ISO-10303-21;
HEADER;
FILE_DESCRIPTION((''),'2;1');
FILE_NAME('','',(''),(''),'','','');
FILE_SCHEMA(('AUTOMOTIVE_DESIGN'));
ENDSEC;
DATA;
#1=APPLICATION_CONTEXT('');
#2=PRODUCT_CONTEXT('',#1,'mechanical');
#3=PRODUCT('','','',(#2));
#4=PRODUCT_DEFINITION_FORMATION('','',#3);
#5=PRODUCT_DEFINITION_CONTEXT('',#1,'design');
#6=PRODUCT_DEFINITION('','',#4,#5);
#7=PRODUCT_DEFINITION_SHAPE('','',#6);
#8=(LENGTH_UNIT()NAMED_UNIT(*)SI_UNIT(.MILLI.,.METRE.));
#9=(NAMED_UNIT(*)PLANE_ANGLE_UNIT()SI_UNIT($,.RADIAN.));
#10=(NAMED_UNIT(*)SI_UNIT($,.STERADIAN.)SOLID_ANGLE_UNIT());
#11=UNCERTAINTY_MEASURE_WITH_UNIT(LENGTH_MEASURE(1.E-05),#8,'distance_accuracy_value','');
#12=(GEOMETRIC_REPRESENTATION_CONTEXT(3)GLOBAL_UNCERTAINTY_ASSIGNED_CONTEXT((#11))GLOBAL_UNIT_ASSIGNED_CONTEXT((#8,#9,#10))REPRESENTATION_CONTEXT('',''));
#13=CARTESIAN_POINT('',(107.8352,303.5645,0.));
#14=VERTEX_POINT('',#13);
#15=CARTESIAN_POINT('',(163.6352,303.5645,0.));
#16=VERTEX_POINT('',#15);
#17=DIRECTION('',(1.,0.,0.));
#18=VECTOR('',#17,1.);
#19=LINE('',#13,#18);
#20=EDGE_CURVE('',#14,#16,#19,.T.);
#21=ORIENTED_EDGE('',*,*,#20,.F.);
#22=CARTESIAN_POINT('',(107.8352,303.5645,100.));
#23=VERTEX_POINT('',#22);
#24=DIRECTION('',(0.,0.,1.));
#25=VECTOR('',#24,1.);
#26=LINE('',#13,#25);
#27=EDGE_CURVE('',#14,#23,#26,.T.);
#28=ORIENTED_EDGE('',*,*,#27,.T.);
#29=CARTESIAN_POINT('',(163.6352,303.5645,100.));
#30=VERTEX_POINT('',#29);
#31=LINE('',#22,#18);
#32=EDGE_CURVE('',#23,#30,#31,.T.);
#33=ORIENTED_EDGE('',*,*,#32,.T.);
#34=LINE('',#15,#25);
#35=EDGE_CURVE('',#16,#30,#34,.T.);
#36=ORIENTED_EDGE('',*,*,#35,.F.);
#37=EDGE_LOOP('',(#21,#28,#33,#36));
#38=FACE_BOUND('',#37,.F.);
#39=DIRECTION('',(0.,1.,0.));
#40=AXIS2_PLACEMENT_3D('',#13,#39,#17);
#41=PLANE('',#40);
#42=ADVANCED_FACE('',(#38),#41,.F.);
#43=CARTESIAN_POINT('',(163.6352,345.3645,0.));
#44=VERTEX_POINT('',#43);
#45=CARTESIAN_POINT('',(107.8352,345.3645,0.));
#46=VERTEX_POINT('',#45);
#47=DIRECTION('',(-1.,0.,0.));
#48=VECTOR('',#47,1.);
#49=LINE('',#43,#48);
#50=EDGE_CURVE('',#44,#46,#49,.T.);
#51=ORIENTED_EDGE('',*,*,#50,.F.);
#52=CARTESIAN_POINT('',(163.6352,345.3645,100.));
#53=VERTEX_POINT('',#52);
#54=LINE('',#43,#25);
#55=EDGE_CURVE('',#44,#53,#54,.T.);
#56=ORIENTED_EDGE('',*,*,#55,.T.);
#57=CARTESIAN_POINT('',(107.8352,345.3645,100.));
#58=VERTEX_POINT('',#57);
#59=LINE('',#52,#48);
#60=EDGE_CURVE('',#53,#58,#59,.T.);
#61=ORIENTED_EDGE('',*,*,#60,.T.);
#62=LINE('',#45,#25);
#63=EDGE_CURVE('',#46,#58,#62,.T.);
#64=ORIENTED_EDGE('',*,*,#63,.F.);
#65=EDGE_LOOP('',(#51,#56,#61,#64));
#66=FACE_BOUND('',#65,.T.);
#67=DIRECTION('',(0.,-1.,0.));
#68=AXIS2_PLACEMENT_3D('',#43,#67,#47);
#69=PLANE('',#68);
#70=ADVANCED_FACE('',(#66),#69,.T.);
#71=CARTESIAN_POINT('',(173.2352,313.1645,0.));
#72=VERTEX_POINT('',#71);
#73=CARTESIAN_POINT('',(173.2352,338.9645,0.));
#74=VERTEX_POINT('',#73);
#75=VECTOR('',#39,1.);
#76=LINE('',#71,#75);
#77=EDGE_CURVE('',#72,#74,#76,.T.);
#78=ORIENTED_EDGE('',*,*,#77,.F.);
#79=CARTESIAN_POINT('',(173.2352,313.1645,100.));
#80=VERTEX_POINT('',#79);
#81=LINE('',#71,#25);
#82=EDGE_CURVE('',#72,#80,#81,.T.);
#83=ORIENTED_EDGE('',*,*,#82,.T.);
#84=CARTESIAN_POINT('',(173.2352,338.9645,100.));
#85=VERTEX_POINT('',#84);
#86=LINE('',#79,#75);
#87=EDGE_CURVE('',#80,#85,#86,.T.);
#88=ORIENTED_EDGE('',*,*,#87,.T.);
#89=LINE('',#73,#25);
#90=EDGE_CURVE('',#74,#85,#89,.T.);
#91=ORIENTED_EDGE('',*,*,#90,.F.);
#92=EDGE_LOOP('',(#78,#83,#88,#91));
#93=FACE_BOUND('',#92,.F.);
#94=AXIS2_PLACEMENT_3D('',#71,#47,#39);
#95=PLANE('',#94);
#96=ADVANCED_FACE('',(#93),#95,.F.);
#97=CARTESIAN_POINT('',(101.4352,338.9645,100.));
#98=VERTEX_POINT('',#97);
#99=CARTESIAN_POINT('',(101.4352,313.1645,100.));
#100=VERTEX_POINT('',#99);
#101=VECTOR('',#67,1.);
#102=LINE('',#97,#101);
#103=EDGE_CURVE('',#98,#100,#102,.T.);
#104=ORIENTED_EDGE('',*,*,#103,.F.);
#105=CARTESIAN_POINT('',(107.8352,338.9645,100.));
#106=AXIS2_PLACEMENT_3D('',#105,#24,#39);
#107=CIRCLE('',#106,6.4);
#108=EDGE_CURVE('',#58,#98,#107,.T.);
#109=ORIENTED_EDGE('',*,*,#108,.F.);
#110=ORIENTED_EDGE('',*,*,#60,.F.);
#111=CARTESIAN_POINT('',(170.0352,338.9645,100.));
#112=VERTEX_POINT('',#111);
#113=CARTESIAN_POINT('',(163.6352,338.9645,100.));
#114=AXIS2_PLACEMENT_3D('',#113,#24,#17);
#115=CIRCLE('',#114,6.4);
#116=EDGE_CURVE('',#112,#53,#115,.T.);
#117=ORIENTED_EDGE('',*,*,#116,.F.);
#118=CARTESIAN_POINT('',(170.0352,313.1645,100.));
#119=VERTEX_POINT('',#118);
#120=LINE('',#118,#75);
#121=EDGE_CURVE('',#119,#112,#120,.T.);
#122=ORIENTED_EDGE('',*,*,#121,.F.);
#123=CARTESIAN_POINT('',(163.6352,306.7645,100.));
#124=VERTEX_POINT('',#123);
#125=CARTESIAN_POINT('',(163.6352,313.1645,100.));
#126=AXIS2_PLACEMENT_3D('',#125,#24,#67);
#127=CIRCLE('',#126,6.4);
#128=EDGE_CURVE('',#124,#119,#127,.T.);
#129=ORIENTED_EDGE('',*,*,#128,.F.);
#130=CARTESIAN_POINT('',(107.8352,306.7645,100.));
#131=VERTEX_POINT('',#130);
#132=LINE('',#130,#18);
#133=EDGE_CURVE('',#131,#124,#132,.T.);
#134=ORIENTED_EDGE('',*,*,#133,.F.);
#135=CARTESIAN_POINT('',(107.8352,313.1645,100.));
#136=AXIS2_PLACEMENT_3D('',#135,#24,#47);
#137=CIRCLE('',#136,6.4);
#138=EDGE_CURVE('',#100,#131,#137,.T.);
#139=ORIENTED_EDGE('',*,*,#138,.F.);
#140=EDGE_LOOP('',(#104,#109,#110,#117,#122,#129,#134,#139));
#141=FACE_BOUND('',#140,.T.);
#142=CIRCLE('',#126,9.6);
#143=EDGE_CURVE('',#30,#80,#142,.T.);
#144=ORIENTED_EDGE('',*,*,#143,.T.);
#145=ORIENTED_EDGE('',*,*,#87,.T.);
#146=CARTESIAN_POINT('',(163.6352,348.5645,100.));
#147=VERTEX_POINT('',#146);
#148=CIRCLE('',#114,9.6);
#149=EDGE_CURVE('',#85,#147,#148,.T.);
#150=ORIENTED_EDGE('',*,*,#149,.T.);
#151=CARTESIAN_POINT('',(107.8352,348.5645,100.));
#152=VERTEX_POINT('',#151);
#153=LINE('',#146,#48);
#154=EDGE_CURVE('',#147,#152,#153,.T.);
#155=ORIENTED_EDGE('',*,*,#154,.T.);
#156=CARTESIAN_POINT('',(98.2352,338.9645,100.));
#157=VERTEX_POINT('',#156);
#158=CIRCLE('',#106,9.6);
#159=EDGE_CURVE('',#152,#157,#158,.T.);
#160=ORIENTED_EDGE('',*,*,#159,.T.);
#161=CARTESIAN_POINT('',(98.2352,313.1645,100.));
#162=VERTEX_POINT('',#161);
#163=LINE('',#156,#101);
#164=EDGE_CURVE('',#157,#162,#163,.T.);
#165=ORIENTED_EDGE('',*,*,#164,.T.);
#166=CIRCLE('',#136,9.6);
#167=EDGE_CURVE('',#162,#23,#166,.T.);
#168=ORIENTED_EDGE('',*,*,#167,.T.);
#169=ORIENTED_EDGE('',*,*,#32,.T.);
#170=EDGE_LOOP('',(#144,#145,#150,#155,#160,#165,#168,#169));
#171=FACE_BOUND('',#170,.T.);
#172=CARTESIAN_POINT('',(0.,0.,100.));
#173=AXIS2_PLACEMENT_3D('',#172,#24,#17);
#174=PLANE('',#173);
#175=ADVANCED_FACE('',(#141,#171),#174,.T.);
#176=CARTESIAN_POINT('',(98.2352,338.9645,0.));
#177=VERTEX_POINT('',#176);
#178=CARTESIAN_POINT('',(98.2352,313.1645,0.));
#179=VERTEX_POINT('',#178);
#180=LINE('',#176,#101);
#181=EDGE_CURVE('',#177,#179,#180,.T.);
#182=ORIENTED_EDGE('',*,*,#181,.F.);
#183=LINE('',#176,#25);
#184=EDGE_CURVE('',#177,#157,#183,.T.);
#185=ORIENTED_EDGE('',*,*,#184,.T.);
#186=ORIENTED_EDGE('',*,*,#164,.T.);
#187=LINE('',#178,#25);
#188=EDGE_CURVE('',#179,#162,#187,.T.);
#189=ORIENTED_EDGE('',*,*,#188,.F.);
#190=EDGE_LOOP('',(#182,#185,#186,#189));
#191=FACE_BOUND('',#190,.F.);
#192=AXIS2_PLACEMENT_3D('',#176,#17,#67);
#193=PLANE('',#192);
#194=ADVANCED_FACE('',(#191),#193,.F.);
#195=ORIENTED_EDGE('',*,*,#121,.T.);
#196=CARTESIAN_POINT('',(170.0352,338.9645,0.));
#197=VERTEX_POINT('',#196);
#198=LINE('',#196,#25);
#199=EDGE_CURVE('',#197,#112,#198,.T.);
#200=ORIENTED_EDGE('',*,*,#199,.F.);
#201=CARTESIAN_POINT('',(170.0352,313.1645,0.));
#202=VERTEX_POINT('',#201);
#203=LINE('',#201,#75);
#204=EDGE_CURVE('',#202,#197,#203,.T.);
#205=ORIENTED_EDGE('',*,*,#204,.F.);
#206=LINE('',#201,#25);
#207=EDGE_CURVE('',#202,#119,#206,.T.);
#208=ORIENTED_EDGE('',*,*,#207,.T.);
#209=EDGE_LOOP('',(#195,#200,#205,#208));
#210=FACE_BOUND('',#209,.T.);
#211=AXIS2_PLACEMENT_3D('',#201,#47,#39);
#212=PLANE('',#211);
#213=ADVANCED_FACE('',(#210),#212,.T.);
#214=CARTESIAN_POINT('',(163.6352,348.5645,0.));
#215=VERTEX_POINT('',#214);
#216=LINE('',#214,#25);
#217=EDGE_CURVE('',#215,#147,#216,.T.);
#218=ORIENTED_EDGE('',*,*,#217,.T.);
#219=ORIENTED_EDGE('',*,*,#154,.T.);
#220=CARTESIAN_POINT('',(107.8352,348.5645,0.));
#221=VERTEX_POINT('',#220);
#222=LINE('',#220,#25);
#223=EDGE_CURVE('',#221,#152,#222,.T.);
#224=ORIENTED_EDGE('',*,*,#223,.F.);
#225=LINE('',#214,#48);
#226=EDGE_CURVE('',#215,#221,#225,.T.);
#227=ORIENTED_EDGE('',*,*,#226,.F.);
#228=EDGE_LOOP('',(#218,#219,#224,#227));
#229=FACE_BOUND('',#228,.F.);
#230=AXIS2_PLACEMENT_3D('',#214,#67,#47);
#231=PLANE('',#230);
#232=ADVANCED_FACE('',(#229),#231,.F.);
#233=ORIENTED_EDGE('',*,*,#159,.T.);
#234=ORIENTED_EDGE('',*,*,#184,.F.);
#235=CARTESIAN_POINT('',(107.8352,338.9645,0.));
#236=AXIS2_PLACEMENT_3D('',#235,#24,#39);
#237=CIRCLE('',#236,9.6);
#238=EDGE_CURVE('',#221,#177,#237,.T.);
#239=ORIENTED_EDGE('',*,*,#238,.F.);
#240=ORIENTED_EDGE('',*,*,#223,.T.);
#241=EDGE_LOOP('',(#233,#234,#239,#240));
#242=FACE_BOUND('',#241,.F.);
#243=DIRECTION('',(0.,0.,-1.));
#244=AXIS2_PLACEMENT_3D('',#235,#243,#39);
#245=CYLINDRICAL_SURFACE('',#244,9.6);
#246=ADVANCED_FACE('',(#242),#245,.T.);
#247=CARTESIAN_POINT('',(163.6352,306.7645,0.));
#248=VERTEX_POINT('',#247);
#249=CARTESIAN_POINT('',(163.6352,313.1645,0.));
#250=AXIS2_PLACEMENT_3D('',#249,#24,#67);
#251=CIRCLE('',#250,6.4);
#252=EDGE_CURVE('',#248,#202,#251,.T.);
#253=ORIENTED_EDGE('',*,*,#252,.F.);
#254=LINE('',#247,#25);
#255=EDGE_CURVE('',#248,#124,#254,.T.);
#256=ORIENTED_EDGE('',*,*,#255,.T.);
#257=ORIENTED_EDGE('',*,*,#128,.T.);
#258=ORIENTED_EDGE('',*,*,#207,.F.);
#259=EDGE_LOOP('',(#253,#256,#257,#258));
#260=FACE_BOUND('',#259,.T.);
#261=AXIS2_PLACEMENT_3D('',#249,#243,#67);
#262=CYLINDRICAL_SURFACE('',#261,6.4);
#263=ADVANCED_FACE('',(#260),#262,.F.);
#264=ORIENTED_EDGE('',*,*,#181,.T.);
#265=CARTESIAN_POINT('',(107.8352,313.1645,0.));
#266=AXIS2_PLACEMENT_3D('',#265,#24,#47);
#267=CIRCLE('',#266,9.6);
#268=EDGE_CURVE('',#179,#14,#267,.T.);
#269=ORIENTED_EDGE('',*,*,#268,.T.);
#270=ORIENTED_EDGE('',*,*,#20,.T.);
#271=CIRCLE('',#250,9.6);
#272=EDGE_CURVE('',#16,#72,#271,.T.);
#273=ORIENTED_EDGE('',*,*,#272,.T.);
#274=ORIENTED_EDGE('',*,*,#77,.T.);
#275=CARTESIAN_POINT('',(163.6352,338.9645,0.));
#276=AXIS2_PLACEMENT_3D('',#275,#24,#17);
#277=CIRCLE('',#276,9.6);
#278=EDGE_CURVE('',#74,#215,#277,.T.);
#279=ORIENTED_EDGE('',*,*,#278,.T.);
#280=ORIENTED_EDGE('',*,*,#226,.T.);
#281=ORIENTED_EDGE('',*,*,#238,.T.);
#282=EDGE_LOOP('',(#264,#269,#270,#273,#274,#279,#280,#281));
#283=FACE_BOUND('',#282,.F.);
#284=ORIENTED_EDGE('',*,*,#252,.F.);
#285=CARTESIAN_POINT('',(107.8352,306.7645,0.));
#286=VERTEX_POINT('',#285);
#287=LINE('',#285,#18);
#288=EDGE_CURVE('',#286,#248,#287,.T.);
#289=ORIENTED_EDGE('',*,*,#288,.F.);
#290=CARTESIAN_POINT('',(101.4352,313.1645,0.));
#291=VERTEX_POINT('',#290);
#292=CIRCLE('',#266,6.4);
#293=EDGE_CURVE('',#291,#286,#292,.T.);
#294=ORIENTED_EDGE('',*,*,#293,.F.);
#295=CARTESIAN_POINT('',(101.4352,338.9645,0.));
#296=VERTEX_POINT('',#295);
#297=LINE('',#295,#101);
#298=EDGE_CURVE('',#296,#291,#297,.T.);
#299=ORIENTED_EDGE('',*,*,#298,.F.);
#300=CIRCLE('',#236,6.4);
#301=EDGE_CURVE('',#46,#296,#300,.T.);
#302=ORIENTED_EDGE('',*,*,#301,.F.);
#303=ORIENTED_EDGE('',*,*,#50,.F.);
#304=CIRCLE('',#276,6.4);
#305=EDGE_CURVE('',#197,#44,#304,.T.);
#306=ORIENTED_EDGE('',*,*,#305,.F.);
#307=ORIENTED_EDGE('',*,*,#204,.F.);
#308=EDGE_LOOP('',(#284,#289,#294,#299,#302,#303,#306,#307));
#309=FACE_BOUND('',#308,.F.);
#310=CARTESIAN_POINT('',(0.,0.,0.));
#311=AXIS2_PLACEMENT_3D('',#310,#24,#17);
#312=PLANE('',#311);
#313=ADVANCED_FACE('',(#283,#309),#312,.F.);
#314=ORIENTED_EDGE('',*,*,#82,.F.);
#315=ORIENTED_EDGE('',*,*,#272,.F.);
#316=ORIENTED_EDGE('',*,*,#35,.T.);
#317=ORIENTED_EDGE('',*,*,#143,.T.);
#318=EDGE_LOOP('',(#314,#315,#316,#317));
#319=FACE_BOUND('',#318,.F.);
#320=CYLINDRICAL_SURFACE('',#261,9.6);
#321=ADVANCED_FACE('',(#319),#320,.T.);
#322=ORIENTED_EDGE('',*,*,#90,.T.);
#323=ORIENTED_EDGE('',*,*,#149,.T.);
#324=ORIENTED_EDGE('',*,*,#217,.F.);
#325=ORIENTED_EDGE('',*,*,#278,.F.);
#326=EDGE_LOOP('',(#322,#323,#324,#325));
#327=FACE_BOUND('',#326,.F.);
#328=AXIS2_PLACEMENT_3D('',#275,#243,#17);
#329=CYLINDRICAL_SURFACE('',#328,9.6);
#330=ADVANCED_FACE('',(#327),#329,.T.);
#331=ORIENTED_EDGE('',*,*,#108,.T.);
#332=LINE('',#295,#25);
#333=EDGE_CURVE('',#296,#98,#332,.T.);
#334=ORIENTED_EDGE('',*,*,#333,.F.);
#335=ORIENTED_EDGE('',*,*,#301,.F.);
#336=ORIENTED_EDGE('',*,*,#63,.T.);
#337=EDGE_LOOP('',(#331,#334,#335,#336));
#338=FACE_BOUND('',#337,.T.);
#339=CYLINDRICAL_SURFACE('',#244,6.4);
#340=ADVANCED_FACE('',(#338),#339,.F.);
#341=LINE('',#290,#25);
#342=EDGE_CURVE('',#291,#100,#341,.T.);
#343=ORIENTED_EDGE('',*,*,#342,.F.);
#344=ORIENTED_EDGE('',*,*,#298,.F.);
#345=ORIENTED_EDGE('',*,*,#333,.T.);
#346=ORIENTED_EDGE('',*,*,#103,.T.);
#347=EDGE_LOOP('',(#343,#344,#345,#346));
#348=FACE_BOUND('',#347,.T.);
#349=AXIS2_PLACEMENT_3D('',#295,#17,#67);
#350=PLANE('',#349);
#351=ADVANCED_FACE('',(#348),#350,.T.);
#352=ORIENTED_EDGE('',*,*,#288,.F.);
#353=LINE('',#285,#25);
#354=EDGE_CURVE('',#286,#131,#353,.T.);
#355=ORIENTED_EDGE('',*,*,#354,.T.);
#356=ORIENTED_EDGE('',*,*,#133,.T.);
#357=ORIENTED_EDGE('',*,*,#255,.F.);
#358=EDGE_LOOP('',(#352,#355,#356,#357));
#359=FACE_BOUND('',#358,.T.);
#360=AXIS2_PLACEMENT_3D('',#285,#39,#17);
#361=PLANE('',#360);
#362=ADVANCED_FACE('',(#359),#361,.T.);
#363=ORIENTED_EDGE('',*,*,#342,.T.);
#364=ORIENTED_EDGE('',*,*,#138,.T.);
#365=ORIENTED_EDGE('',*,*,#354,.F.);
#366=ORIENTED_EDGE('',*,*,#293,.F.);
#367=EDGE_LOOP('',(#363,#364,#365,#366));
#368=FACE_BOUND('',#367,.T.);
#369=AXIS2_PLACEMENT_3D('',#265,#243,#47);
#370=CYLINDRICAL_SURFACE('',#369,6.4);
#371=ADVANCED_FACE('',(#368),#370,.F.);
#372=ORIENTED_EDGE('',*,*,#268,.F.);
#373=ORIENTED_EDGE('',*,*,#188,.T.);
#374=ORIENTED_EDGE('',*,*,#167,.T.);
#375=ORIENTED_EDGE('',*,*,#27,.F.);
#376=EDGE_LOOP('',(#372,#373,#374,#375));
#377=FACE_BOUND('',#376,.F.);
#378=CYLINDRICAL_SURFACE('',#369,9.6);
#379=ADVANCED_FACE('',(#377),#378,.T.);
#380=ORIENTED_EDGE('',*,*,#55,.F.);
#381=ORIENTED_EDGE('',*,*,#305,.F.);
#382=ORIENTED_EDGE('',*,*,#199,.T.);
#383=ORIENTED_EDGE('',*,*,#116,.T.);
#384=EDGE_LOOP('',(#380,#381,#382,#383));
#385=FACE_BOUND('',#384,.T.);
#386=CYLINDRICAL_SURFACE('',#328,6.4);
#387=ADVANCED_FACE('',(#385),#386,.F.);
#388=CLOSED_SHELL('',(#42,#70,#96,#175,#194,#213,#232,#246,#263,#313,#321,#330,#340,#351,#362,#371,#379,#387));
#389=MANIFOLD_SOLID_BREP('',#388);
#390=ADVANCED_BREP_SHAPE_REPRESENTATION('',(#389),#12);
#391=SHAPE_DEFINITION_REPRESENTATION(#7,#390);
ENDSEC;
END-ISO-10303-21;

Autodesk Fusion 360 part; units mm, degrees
sketch "スケッチ1" plane through (0, 0, 0) normal (0, 0, 1) x (1, 0, 0)
  line L0 (107.8352, 303.5645) -> (163.6352, 303.5645)
  line L1 (107.8352, 306.7645) -> (163.6352, 306.7645)
  line L2 (163.6352, 348.5645) -> (107.8352, 348.5645)
  line L3 (163.6352, 345.3645) -> (107.8352, 345.3645)
  line L4 (98.2352, 338.9645) -> (98.2352, 313.1645)
  line L5 (101.4352, 338.9645) -> (101.4352, 313.1645)
  arc A0 (98.2352, 313.1645) -> (107.8352, 303.5645) centre (107.8352, 313.1645) ccw
  arc A1 (101.4352, 313.1645) -> (107.8352, 306.7645) centre (107.8352, 313.1645) ccw
  arc A2 (107.8352, 348.5645) -> (98.2352, 338.9645) centre (107.8352, 338.9645) ccw
  arc A3 (107.8352, 345.3645) -> (101.4352, 338.9645) centre (107.8352, 338.9645) ccw
  line L6 (173.2352, 313.1645) -> (173.2352, 338.9645)
  line L7 (170.0352, 313.1645) -> (170.0352, 338.9645)
  arc A4 (163.6352, 303.5645) -> (173.2352, 313.1645) centre (163.6352, 313.1645) ccw
  arc A5 (163.6352, 306.7645) -> (170.0352, 313.1645) centre (163.6352, 313.1645) ccw
  arc A6 (173.2352, 338.9645) -> (163.6352, 348.5645) centre (163.6352, 338.9645) ccw
  arc A7 (170.0352, 338.9645) -> (163.6352, 345.3645) centre (163.6352, 338.9645) ccw
  point P0 (135.7352, 326.0645)
extrude "押し出し1" add sketch "スケッチ1" along normal blind 100
